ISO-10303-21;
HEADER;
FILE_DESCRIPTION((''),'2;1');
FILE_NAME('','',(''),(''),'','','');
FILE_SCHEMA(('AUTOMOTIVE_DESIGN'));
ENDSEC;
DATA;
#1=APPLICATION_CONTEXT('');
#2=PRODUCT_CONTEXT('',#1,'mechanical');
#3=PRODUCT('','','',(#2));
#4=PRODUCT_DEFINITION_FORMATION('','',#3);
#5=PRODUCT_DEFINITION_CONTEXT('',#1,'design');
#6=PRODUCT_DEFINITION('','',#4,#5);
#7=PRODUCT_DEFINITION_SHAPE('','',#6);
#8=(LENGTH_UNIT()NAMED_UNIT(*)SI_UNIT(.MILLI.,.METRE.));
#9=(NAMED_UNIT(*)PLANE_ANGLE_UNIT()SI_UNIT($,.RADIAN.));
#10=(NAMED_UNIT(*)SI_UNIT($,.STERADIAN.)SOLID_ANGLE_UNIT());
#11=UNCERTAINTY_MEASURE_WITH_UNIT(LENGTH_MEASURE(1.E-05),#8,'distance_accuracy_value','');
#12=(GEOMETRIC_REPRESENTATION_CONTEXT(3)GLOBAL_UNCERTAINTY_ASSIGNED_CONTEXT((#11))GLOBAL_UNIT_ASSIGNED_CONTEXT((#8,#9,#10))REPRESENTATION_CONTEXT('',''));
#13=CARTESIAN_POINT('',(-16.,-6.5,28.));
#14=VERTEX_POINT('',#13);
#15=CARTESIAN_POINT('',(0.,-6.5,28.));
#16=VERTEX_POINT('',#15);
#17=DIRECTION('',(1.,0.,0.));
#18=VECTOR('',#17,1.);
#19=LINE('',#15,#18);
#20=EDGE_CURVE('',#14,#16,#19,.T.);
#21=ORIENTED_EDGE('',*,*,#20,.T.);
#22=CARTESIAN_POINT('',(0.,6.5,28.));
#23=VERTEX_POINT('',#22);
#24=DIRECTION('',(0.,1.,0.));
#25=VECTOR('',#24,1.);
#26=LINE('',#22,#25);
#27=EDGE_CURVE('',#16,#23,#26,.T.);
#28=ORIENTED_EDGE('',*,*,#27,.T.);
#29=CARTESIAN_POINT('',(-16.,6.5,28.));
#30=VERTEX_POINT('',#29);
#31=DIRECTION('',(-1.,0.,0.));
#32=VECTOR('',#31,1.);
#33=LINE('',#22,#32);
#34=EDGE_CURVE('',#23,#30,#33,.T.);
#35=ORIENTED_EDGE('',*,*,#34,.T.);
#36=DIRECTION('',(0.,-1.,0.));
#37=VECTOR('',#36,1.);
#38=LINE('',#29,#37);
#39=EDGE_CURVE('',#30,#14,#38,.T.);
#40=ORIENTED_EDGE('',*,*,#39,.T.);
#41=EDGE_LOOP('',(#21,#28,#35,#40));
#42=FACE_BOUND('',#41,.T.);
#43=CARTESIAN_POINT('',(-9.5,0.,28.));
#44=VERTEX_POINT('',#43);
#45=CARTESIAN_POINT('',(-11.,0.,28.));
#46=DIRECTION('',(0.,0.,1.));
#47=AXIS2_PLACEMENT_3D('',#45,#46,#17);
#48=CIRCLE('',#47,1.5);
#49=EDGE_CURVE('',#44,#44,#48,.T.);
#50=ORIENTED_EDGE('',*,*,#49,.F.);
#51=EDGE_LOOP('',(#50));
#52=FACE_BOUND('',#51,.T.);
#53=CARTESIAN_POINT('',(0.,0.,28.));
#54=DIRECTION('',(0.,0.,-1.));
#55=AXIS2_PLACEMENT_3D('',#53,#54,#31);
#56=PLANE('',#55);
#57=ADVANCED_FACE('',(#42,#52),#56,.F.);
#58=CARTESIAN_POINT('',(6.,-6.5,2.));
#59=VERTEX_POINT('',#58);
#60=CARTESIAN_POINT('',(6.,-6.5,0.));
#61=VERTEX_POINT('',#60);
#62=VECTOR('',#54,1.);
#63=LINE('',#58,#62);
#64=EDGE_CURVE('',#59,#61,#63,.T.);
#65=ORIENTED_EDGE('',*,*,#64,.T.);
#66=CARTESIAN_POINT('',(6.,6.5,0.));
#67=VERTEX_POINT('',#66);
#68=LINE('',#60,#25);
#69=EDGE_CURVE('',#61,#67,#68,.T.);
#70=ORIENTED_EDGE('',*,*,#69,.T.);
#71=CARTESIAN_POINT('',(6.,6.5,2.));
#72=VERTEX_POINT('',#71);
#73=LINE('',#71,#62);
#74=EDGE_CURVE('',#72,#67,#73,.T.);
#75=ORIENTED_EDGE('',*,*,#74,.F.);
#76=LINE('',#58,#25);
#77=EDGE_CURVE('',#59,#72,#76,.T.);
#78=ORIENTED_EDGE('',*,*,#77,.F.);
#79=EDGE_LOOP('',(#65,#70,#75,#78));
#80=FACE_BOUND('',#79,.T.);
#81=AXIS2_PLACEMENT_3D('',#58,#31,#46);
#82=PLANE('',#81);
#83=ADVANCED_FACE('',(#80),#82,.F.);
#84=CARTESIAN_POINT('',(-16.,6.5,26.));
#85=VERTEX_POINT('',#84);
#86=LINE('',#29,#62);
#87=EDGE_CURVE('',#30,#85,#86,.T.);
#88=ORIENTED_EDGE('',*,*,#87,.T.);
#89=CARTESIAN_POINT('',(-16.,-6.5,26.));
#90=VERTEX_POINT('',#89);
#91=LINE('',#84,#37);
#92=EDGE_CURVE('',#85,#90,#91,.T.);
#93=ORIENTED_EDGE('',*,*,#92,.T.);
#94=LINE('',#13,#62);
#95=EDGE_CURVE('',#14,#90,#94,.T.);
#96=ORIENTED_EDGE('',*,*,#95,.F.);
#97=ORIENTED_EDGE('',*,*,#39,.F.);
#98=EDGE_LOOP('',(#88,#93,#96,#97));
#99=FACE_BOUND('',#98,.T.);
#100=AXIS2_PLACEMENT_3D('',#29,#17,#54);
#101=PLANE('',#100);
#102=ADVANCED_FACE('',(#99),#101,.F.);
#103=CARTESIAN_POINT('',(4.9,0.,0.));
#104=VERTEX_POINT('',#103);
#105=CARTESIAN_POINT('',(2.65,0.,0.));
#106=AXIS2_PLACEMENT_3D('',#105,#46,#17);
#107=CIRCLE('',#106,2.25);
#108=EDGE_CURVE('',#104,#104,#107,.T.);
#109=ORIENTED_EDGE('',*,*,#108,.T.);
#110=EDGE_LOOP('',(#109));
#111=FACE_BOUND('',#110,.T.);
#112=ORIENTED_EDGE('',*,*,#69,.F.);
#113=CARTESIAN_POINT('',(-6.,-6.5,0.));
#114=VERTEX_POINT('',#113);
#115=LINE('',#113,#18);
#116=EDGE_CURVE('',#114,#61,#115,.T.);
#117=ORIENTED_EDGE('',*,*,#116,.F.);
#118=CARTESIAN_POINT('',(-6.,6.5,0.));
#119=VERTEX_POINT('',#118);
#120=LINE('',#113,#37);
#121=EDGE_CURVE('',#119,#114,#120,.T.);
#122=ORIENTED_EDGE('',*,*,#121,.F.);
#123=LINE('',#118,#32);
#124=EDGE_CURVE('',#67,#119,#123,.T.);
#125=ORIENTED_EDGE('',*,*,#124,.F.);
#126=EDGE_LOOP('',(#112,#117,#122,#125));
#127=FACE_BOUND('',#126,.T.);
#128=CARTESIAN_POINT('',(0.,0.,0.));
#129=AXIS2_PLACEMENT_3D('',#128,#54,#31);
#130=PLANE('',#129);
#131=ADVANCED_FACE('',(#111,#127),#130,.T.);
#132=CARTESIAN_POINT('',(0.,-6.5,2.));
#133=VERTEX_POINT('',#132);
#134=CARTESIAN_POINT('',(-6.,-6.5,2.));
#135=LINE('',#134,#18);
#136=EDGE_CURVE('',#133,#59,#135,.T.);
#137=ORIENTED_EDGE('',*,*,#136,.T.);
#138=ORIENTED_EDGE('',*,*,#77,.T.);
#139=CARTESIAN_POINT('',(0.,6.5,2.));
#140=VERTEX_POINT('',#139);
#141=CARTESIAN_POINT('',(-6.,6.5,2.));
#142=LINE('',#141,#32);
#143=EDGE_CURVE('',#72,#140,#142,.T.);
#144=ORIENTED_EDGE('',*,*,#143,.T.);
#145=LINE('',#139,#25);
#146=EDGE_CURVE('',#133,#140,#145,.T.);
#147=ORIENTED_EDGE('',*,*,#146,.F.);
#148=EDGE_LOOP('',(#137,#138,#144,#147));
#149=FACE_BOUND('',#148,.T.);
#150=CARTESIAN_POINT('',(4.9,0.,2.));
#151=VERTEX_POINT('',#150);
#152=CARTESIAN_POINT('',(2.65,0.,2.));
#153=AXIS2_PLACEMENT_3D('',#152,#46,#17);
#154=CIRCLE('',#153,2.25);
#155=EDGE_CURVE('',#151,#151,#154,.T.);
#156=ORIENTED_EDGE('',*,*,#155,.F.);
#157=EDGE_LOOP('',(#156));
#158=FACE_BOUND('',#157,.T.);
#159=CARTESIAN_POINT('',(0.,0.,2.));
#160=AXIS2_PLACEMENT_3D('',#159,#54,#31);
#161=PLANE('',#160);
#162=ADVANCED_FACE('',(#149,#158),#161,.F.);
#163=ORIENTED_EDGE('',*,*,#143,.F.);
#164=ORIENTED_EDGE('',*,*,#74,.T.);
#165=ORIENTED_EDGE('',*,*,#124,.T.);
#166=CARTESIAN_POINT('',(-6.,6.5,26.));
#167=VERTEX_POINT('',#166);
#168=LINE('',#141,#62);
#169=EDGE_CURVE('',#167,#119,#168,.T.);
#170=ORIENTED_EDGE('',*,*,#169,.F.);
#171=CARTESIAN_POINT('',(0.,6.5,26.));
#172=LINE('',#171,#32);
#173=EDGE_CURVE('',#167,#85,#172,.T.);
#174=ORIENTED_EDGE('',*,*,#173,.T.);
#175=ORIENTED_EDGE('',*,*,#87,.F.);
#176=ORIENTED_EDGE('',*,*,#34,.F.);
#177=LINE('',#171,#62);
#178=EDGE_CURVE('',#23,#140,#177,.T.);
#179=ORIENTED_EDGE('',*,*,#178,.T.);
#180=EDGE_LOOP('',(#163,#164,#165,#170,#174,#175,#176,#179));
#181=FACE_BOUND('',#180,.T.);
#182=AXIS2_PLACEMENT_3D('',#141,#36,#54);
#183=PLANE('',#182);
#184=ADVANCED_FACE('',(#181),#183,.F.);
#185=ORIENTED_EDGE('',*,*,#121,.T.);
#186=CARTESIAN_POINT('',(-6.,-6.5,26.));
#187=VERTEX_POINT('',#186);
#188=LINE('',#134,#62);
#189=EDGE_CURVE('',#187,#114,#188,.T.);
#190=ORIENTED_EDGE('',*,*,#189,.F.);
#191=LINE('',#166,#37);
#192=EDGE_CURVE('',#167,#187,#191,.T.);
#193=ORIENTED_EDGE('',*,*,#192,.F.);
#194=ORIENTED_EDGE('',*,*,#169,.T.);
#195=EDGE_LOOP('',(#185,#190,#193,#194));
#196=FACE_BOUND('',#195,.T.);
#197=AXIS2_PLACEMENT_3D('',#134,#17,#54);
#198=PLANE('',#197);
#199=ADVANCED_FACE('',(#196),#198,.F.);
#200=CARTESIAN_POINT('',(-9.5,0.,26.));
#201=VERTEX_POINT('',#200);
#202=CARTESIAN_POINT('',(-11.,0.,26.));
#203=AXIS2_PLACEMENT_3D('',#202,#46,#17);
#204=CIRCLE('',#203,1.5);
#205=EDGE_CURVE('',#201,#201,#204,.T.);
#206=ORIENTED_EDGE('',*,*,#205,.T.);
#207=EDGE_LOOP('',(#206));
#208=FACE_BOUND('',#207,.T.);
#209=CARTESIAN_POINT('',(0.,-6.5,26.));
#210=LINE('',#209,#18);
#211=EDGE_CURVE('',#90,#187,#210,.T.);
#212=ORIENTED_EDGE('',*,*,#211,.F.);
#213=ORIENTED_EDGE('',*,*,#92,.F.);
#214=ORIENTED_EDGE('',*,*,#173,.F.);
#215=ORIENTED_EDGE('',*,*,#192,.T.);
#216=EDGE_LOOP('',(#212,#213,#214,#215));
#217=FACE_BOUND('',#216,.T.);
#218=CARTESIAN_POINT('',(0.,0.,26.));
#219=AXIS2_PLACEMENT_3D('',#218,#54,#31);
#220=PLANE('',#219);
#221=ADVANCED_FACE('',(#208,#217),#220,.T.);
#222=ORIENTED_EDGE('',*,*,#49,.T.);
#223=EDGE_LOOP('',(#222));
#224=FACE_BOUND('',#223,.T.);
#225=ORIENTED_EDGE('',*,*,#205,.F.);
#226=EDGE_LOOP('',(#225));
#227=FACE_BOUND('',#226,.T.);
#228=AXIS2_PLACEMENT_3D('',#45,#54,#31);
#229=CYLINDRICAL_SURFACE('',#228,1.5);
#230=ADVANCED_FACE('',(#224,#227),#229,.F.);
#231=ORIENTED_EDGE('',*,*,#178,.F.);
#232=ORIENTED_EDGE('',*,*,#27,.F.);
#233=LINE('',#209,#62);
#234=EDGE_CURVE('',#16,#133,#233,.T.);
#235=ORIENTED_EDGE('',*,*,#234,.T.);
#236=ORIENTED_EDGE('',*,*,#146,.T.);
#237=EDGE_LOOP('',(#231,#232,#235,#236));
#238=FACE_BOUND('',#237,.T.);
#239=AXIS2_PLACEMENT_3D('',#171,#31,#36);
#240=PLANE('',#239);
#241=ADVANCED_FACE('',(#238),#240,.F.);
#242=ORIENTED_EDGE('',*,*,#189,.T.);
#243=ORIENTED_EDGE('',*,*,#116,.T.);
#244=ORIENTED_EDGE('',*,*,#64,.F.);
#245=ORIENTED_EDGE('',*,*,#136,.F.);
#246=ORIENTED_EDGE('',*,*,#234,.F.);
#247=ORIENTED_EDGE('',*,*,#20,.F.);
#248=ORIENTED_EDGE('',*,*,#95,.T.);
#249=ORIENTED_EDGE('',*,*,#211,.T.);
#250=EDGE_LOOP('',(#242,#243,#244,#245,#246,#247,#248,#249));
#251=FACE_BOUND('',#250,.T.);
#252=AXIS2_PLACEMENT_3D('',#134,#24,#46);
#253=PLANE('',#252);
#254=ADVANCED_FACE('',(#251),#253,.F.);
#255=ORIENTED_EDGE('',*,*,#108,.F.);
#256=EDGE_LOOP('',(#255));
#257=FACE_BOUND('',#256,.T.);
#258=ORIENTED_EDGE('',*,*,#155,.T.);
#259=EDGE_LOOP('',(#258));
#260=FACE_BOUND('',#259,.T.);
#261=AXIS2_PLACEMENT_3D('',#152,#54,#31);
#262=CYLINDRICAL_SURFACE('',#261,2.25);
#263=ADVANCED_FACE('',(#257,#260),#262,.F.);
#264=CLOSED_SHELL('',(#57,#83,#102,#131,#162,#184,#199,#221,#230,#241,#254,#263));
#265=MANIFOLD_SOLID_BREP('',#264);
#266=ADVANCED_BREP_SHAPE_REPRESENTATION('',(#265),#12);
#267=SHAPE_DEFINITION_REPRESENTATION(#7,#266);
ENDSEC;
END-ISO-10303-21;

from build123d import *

# Parameters (mm, degrees)
SZKIC1_W                    = 12
SZKIC1_H                    = 13
SZKIC1_R                    = 2.25
DODANIE_WYCI_GNI_CIE1_DEPTH = 2
SZKIC2_W                    = 6
SZKIC2_H                    = 13
DODANIE_WYCI_GNI_CIE2_DEPTH = 24
SZKIC3_W                    = 16
SZKIC3_H                    = 13
SZKIC3_R                    = 1.5
DODANIE_WYCI_GNI_CIE3_DEPTH = 2


with BuildPart() as part:
    # Szkic1 → Dodanie-wyciągnięcie1 (new body)
    with BuildSketch(Plane.XY):
        Rectangle(SZKIC1_W, SZKIC1_H)
        with Locations((2.65, 0)):
            Circle(SZKIC1_R, mode=Mode.SUBTRACT)
    extrude(amount=DODANIE_WYCI_GNI_CIE1_DEPTH)

    # Szkic2 → Dodanie-wyciągnięcie2 (add)
    with BuildSketch(Plane.XY.offset(2)):
        with Locations((-3, 0)):
            Rectangle(SZKIC2_W, SZKIC2_H)
    extrude(amount=DODANIE_WYCI_GNI_CIE2_DEPTH)

    # Szkic3 → Dodanie-wyciągnięcie3 (add)
    with BuildSketch(Plane.XY.offset(26)):
        with Locations((-8, 0)):
            Rectangle(SZKIC3_W, SZKIC3_H)
        with Locations((-11, 0)):
            Circle(SZKIC3_R, mode=Mode.SUBTRACT)
    extrude(amount=DODANIE_WYCI_GNI_CIE3_DEPTH)


solid = part.part
